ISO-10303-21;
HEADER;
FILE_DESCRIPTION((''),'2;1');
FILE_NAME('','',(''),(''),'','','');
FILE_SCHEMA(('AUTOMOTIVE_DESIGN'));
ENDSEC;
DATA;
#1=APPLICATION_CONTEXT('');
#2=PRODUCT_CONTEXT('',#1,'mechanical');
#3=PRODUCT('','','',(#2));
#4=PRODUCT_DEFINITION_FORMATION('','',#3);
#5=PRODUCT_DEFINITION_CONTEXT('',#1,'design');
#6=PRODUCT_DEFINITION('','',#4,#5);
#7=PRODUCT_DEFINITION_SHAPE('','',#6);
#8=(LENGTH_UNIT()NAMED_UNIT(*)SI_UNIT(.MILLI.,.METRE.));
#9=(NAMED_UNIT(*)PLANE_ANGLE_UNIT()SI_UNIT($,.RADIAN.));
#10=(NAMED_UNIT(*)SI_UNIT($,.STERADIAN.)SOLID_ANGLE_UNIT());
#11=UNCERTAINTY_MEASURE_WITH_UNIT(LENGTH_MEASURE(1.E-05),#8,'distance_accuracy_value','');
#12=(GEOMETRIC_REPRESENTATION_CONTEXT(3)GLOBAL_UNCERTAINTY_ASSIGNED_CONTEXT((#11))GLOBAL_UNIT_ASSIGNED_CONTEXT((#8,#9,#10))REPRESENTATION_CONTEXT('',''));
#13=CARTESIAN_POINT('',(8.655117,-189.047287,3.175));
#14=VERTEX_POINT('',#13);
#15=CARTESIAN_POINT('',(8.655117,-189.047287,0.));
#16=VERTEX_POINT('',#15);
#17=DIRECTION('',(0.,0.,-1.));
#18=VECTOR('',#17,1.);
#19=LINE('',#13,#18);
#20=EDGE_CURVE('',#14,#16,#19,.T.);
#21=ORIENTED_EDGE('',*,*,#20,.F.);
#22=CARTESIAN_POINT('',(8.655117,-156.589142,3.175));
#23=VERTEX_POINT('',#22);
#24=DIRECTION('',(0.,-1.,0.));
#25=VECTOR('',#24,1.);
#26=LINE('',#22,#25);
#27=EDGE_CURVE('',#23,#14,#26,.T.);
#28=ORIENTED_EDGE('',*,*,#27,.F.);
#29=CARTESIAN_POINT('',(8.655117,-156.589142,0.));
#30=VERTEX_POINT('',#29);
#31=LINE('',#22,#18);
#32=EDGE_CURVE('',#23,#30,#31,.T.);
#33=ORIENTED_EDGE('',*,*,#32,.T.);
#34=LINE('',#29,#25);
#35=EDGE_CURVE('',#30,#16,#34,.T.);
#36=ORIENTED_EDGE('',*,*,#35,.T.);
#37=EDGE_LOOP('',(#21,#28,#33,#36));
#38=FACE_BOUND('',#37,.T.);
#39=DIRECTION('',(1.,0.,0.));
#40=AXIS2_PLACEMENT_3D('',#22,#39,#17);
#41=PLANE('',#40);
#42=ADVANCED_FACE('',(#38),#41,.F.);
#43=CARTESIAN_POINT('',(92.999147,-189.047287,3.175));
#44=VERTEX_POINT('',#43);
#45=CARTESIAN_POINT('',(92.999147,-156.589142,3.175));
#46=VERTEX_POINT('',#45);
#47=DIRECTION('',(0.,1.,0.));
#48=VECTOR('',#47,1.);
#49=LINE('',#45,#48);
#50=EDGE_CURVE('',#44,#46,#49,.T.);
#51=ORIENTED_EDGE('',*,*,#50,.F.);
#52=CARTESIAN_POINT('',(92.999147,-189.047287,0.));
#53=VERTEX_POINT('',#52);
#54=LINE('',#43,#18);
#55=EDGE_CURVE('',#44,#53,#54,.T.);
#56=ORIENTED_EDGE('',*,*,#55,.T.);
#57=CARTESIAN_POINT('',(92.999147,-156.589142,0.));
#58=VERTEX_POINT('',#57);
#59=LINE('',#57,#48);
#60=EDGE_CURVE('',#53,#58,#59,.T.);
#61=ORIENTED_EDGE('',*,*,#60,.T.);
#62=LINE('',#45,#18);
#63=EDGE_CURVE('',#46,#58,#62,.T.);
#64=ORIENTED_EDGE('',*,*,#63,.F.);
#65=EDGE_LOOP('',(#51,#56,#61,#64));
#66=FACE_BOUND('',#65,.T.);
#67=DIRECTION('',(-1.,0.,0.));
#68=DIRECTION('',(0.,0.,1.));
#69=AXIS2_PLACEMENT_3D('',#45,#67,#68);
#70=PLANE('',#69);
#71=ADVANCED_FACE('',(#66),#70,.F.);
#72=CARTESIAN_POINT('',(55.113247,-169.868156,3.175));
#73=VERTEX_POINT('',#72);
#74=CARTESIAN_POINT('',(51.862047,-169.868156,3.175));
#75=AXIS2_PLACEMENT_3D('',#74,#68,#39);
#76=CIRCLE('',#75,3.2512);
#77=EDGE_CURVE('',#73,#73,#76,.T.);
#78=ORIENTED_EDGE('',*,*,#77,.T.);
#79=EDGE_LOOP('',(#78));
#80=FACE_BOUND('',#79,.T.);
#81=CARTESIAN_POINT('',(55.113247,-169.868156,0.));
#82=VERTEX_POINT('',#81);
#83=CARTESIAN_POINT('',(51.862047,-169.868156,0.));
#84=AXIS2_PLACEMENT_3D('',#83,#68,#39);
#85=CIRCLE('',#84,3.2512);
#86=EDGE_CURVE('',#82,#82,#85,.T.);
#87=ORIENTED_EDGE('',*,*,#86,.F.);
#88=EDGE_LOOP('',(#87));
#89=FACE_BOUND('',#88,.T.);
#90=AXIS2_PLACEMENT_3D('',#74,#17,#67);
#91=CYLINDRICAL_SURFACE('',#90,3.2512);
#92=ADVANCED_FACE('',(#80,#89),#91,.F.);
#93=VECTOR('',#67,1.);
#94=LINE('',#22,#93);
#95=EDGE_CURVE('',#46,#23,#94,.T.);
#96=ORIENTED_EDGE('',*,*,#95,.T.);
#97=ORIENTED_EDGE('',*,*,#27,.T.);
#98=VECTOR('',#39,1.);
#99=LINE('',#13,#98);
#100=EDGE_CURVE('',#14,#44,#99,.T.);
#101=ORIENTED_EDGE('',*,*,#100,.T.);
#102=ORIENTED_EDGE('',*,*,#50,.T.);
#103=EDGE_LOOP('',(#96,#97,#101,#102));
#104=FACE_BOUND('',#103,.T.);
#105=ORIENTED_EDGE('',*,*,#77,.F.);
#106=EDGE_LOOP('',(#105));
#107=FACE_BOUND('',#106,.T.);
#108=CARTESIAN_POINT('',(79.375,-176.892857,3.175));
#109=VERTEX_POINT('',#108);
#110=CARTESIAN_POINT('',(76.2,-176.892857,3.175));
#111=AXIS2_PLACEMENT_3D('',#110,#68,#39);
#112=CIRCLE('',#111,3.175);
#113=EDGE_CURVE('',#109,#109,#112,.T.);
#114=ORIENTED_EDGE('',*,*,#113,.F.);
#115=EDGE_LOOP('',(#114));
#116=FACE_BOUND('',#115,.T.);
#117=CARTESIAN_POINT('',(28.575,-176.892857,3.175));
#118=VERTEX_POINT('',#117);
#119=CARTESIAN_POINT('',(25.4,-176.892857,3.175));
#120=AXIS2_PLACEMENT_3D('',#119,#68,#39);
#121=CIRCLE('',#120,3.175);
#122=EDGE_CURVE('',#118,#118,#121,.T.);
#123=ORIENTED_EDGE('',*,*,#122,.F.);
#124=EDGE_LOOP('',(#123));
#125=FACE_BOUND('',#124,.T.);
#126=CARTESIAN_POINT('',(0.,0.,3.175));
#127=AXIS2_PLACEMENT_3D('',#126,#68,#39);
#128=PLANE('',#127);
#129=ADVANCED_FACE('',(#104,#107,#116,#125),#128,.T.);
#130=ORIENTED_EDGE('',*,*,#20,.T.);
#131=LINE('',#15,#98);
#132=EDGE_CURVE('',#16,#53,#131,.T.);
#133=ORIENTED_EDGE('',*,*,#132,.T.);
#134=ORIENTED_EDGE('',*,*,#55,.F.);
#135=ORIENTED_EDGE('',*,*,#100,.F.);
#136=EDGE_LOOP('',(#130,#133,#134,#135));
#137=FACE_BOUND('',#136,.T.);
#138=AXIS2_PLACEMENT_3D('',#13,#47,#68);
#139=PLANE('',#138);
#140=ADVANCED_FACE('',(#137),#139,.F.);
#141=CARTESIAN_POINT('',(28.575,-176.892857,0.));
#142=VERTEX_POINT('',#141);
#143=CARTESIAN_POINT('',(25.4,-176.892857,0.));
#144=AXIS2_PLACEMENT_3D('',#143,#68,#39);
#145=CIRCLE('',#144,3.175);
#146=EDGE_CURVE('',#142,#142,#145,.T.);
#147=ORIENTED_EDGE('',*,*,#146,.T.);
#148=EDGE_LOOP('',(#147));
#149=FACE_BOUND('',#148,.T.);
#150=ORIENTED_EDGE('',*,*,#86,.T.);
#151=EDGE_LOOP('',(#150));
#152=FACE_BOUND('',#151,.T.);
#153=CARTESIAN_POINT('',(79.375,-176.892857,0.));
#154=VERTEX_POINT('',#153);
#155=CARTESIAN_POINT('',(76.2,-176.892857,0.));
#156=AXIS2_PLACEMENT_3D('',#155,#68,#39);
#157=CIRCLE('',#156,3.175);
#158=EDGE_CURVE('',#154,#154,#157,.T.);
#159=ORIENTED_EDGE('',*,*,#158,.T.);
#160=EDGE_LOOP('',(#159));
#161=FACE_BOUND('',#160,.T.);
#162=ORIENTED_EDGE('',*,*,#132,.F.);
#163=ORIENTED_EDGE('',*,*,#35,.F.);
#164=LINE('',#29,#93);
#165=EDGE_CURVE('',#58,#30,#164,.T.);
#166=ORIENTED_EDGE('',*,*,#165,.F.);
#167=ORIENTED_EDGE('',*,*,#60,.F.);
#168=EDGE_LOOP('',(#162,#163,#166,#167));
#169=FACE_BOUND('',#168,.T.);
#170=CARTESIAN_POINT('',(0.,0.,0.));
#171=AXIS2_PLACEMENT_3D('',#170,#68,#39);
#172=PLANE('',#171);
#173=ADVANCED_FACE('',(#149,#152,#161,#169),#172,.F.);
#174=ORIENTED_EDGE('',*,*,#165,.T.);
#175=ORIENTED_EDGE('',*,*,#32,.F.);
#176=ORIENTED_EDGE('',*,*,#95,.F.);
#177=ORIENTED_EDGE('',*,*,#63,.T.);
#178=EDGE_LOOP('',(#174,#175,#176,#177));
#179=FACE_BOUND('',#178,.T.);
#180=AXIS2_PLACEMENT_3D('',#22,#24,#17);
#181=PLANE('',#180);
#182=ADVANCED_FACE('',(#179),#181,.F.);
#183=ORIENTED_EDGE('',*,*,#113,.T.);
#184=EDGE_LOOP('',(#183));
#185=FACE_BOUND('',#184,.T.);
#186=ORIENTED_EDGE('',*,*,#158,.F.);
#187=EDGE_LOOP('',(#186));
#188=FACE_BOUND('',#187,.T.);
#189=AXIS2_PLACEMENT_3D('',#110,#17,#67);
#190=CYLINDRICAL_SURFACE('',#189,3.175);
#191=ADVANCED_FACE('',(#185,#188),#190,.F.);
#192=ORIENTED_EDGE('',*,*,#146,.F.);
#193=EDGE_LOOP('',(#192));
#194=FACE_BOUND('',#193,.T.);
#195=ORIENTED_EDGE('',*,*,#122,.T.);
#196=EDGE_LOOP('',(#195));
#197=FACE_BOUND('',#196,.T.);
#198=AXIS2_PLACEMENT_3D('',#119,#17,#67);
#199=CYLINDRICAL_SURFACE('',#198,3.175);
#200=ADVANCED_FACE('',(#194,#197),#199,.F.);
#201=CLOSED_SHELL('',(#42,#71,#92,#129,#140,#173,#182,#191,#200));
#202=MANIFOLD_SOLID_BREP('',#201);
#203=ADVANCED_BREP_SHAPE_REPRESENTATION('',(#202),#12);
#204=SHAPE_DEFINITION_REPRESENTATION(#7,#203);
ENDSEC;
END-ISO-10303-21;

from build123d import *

# Parameters (mm, degrees)
SKETCH1_W           = 84.344029969
SKETCH1_H           = 32.458144774
SKETCH1_R           = 3.175
SKETCH1_R_2         = 3.2512
BOSS_EXTRUDE1_DEPTH = 3.175


with BuildPart() as part:
    # Sketch1 → Boss-Extrude1 (new body)
    with BuildSketch(Plane.XY):
        with Locations((50.827132306, -172.818214402)):
            Rectangle(SKETCH1_W, SKETCH1_H)
        with Locations((25.4, -176.892857143)):
            Circle(SKETCH1_R, mode=Mode.SUBTRACT)
        with Locations((76.2, -176.892857143)):
            Circle(SKETCH1_R, mode=Mode.SUBTRACT)
        with Locations((51.862046607, -169.868155983)):
            Circle(SKETCH1_R_2, mode=Mode.SUBTRACT)
    extrude(amount=BOSS_EXTRUDE1_DEPTH)


solid = part.part
